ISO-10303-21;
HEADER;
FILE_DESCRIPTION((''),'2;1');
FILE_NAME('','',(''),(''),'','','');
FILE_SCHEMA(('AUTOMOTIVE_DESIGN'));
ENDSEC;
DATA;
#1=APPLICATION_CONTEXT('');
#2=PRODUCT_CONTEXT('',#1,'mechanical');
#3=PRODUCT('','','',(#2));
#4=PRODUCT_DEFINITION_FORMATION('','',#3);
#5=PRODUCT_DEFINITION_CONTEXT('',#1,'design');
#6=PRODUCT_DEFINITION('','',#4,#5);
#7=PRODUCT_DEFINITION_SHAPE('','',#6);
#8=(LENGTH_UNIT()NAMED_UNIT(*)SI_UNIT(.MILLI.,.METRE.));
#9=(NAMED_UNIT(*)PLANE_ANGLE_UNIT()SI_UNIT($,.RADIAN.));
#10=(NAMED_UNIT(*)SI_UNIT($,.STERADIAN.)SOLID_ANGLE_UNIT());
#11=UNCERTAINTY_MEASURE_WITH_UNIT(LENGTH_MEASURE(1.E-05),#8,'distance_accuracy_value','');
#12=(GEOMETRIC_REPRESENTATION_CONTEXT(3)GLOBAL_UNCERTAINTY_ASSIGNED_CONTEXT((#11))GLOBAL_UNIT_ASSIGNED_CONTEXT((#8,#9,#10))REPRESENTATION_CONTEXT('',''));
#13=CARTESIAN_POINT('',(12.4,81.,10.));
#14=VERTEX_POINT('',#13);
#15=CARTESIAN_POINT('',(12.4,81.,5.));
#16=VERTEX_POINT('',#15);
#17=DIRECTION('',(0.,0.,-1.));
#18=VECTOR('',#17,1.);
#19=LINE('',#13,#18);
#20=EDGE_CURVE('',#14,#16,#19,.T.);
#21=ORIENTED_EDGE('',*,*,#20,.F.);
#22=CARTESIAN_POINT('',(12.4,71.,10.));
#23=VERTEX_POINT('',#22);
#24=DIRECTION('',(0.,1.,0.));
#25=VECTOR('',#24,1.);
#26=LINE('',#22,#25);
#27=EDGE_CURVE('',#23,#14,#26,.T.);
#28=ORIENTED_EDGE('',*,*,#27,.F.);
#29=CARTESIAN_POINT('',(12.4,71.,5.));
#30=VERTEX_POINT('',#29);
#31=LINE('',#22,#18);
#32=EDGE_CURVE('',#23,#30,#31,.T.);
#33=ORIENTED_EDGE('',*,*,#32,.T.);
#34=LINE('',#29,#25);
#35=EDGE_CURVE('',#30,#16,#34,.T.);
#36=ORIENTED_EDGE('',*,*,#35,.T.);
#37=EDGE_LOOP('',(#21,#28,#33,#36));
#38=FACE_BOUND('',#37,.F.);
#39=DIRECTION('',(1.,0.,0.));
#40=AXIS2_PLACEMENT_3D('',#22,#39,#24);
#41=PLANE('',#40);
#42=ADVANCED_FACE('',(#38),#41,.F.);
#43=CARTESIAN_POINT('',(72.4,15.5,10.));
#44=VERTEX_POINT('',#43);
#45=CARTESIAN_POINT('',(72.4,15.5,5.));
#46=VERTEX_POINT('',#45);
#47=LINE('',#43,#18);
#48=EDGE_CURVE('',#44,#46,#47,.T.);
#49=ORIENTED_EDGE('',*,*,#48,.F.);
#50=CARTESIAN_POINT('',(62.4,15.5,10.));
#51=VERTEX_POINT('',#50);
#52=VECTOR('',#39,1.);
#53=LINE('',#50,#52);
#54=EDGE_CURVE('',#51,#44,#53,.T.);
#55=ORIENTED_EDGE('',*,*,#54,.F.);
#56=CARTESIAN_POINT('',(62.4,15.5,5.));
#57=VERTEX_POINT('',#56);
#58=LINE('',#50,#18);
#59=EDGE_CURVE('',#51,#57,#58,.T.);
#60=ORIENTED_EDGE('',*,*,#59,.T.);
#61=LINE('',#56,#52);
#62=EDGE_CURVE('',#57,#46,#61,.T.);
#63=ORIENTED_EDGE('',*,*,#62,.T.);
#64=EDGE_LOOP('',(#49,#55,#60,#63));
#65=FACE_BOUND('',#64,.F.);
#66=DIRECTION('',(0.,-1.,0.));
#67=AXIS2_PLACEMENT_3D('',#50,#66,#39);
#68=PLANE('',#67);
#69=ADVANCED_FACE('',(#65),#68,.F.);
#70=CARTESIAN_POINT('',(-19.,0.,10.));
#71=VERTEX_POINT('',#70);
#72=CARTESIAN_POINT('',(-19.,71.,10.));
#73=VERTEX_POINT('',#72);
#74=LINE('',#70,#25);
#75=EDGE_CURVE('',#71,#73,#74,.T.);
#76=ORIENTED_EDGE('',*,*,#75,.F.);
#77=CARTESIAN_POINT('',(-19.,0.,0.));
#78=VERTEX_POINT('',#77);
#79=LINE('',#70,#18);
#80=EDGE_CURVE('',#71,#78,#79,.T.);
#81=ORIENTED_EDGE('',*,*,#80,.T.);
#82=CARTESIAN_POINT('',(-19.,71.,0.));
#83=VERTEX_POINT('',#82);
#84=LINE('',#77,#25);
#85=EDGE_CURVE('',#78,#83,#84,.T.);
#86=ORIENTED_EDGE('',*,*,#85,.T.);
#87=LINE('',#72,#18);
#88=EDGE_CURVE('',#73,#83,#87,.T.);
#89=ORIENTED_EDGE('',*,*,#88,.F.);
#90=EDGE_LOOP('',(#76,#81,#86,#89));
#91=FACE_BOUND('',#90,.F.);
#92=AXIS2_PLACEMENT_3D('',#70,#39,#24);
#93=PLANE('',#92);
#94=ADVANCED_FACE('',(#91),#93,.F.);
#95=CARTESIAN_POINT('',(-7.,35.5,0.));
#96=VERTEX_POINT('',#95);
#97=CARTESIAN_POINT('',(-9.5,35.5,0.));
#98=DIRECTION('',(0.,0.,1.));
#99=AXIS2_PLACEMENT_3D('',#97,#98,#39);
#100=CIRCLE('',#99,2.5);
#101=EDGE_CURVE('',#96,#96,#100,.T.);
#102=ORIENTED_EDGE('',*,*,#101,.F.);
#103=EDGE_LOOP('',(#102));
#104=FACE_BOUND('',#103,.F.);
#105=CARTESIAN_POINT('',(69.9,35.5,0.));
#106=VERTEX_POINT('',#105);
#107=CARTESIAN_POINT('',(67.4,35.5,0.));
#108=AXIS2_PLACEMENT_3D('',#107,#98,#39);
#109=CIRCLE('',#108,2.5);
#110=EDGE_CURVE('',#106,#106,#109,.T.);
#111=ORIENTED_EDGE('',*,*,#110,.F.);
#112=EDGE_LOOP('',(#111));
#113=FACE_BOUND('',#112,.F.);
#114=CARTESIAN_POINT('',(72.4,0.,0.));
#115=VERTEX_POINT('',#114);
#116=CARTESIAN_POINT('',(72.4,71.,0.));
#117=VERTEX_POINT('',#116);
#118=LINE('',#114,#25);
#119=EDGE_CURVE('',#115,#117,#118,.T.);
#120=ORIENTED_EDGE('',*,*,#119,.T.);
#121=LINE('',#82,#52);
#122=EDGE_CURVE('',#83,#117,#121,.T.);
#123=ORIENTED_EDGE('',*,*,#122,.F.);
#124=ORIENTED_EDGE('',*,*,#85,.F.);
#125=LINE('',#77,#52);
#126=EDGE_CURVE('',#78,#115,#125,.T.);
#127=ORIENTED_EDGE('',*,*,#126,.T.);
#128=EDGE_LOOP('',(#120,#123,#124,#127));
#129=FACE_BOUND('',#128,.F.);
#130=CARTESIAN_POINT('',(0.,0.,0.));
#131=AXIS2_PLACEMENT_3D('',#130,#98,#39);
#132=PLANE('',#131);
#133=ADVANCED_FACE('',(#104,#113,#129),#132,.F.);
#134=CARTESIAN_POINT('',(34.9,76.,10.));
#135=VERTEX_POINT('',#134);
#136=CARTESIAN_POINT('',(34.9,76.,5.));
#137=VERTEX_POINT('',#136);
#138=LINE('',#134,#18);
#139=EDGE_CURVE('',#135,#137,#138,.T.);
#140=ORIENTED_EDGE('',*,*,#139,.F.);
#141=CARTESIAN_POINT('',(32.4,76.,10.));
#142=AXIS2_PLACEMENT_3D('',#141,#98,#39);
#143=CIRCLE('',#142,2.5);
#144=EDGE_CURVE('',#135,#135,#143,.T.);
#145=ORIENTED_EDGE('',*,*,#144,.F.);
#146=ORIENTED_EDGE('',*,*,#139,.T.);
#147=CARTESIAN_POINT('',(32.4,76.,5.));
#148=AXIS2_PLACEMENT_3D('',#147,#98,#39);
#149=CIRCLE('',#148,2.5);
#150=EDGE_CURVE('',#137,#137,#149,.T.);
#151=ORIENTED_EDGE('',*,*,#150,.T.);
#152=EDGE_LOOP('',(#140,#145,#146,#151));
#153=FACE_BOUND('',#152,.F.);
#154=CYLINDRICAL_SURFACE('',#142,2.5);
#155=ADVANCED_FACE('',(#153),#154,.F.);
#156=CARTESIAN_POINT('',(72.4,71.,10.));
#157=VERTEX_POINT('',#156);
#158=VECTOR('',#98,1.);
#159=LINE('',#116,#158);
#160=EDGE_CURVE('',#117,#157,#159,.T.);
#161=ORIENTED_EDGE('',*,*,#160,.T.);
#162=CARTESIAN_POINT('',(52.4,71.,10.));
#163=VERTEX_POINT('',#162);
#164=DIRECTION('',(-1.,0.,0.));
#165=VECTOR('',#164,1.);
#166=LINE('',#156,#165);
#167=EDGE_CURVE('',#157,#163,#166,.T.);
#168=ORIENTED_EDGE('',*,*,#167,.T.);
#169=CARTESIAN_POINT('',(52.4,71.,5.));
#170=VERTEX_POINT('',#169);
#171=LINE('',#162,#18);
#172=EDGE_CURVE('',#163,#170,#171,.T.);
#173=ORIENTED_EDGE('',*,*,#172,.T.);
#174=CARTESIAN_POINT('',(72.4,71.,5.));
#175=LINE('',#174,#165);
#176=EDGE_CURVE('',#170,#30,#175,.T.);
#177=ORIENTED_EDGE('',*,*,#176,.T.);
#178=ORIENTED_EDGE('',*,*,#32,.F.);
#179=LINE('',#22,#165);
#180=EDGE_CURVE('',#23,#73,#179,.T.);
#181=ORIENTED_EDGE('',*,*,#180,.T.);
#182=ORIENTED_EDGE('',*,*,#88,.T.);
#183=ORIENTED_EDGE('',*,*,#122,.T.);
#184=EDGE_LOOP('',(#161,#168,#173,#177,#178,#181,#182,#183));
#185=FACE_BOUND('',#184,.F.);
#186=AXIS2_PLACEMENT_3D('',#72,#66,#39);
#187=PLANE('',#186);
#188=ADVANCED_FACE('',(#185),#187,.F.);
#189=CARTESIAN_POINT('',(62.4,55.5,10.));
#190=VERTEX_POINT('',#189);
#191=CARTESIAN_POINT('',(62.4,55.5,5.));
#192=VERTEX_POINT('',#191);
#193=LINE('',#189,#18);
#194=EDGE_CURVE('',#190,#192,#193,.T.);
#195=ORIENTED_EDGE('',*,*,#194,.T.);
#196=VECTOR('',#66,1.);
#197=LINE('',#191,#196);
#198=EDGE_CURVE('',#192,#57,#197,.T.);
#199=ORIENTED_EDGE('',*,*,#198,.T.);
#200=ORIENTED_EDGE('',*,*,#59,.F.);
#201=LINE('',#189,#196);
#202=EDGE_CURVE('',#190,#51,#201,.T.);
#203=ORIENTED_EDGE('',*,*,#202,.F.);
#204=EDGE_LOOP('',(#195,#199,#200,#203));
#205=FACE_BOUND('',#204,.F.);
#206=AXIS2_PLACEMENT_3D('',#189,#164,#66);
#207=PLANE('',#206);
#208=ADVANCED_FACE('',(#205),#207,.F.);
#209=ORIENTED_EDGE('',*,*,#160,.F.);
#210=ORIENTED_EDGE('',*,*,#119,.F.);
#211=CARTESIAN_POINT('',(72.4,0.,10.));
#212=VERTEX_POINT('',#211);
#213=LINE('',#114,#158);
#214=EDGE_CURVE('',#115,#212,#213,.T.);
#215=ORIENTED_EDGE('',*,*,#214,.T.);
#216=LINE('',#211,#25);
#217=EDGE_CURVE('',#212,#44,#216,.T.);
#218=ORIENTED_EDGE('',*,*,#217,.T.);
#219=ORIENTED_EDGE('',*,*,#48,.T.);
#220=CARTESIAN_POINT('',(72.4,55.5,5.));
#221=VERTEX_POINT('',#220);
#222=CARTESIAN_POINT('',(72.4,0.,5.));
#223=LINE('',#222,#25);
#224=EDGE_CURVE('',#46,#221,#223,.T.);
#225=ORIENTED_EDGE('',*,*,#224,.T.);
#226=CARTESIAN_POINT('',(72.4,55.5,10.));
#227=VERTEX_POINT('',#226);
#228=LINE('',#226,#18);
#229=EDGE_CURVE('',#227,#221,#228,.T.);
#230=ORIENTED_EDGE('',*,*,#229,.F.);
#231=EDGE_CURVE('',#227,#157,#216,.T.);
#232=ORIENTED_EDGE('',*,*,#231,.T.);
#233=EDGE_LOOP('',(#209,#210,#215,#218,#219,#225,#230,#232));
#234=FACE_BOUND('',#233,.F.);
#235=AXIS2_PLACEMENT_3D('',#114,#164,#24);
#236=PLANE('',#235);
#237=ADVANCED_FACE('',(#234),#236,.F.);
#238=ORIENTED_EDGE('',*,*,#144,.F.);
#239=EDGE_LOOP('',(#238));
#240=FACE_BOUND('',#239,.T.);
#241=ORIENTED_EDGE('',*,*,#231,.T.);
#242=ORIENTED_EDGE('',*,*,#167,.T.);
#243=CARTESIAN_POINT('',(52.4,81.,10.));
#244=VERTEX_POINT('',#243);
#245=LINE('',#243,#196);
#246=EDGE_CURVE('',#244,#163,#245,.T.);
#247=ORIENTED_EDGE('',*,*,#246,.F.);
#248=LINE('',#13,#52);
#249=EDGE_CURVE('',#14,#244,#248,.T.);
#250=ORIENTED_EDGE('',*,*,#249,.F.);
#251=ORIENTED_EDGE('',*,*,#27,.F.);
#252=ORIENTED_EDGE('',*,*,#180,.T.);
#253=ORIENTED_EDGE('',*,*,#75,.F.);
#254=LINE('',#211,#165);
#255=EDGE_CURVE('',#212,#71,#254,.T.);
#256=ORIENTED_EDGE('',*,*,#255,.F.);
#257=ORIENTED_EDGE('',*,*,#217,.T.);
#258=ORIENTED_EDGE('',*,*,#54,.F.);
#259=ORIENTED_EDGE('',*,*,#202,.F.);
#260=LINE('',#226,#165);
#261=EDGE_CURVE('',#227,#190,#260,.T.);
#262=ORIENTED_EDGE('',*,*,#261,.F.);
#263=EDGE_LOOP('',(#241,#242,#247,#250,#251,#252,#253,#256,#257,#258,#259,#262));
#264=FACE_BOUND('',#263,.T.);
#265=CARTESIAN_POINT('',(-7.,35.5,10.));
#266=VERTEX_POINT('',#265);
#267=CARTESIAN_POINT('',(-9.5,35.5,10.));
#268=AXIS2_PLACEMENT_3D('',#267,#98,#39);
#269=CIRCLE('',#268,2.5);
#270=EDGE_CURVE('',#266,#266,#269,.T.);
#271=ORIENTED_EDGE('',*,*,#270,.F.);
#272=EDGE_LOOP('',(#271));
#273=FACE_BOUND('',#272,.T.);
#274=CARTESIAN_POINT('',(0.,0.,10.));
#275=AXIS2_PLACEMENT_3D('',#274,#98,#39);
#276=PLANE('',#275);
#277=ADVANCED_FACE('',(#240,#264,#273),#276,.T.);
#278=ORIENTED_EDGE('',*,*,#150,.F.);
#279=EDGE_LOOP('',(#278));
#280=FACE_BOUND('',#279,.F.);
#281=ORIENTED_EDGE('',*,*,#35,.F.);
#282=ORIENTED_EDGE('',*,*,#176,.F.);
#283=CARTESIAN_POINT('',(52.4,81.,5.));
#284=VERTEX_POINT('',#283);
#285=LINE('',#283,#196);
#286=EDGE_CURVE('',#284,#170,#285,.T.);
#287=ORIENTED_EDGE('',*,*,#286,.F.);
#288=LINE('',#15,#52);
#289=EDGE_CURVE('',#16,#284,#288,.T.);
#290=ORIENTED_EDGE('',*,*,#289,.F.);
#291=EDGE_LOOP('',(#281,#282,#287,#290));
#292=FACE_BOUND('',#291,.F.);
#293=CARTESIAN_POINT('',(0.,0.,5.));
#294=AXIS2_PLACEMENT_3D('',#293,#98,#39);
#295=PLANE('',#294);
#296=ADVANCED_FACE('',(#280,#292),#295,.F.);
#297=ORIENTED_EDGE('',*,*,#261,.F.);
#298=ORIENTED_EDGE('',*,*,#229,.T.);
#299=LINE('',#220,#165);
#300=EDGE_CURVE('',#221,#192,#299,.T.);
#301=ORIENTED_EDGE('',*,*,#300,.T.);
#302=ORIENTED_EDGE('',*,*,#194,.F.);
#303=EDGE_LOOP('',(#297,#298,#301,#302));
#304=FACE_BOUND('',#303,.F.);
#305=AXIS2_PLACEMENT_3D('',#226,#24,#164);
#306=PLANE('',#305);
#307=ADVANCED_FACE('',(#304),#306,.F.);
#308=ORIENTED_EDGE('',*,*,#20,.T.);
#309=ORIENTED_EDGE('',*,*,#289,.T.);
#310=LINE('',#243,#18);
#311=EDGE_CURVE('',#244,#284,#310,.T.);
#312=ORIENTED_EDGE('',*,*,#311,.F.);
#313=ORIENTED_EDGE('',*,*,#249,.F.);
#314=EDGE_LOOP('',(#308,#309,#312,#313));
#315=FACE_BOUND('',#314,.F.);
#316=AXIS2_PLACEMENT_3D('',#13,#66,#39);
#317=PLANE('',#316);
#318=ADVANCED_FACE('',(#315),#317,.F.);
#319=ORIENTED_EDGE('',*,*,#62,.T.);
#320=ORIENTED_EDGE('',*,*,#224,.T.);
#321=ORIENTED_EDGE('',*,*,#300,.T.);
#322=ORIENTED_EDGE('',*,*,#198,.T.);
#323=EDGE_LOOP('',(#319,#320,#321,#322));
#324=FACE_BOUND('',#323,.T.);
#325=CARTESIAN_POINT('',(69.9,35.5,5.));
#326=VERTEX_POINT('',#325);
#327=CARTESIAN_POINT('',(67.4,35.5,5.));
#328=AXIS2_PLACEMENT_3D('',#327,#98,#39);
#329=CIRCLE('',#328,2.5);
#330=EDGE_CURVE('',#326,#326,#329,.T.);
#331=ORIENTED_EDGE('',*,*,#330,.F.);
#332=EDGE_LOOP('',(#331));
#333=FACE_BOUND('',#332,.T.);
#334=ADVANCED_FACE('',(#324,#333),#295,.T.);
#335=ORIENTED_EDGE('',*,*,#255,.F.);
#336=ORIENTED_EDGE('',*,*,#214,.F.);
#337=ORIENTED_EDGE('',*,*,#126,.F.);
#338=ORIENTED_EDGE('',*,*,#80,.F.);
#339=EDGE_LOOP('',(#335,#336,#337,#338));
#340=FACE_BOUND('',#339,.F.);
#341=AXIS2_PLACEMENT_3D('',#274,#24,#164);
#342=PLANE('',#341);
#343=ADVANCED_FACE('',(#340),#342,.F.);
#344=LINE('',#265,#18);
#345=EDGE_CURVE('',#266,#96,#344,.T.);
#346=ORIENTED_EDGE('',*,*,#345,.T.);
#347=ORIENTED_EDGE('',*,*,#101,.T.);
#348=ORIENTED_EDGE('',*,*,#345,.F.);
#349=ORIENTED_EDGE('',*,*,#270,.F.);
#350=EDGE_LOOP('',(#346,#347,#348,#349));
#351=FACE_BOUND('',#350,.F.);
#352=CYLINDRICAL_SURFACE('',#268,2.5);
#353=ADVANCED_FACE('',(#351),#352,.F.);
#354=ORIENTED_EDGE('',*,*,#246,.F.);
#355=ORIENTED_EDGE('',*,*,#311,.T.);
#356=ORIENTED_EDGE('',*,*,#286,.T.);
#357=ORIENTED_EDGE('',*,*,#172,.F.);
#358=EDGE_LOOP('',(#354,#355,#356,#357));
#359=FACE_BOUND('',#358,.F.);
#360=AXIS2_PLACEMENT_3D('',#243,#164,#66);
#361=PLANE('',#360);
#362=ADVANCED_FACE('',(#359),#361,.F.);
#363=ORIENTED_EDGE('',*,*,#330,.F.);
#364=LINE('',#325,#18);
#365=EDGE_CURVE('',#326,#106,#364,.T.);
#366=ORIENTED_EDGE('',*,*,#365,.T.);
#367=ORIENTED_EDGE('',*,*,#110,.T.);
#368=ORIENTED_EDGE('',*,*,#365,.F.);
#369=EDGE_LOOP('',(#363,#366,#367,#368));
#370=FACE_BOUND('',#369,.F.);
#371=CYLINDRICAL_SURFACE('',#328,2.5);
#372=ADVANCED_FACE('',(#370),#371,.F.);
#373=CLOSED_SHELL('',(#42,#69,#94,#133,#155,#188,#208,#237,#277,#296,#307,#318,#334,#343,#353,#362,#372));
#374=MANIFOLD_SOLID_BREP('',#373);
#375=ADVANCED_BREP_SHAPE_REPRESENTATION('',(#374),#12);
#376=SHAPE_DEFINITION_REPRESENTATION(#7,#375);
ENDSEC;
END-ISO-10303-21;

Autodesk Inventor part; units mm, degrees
ref_plane "YZ Plane" through (0, 0, 0) normal (1, 0, 0) x (0, 1, 0)
ref_plane "XZ Plane" through (0, 0, 0) normal (0, 1, 0) x (-1, 0, 0)
ref_plane "XY Plane" through (0, 0, 0) normal (0, 0, 1) x (1, 0, 0)
sketch "Sketch1" plane through (0, 0, 0) normal (0, 0, 1) x (1, 0, 0)
  line L0 (0, 0) -> (72.4, 0)
  line L1 (72.4, 0) -> (72.4, 71)
  line L2 (72.4, 71) -> (0, 71)
  line L3 (0, 71) -> (0, 0)
  dimension "d0" = 72.4
  dimension "d1" = 71
extrude "Extrusion1" add sketch "Sketch1" along normal blind 10
sketch "Sketch2" plane through (0, 0, 10) normal (0, 0, 1) x (1, 0, 0)
  line L0 (72.4, 71) -> (0, 71) projected
  line L1 (52.4, 71) -> (12.4, 71)
  line L2 (12.4, 71) -> (12.4, 81)
  line L3 (12.4, 81) -> (52.4, 81)
  line L4 (52.4, 81) -> (52.4, 71)
  circle A0 centre (32.4, 76) radius 2.5
  line L5 (72.4, 0) -> (72.4, 71) projected
  point P0 (0, 0)
  point P1 (52.4, 76)
  point P2 (32.4, 81)
  dimension "d4" = 40
  dimension "d5" = 10
  dimension "d6" = 5
  dimension "d7" = 20
extrude "Extrusion2" add sketch "Sketch2" against normal blind 5
sketch "Sketch3" plane through (0, 0, 10) normal (0, 0, 1) x (1, 0, 0)
  line L0 (0, 71) -> (0, 0) projected
  line L1 (0, 0) -> (-19, 0)
  line L2 (-19, 0) -> (-19, 71)
  line L3 (-19, 71) -> (0, 71)
  line L4 (0, 71) -> (0, 0)
  line L5 (12.4, 71) -> (0, 71) projected
  circle A0 centre (-9.5, 35.5) radius 2.5
  point P0 (-19, 35.5)
  point P1 (-9.5, 71)
  dimension "d10" = 19
  dimension "d13" = 5
extrude "Extrusion3" add sketch "Sketch3" against normal blind 10
sketch "Sketch4" plane through (0, 0, 10) normal (0, 0, 1) x (1, 0, 0)
  line L0 (-19, 0) -> (72.4, 0) projected
  line L1 (52.4, 0) -> (12.4, 0)
  line L2 (12.4, 0) -> (12.4, 10)
  line L3 (12.4, 10) -> (52.4, 10)
  line L4 (52.4, 10) -> (52.4, 0)
  line L5 (72.4, 0) -> (72.4, 71) projected
  line L6 (72.4, 55.5) -> (62.4, 55.5)
  line L7 (62.4, 55.5) -> (62.4, 15.5)
  line L8 (62.4, 15.5) -> (72.4, 15.5)
  line L9 (72.4, 15.5) -> (72.4, 55.5)
  point P0 (0, 0)
  point P1 (72.4, 35.5)
  point P2 (72.4, 35.5)
  point P3 (52.4, 81)
  dimension "d16" = 40
  dimension "d17" = 10
  dimension "d18" = 10
  dimension "d19" = 40
extrude "Extrusion4" cut sketch "Sketch4" against normal blind 5 contours L8 L7 L6 L5
sketch "Sketch5" plane through (0, 0, 5) normal (0, 0, 1) x (1, 0, 0)
  line L0 (62.4, 55.5) -> (72.4, 55.5) construction
  line L1 (62.4, 15.5) -> (62.4, 55.5) construction
  line L2 (72.4, 15.5) -> (62.4, 15.5) construction
  line L3 (72.4, 55.5) -> (72.4, 15.5) construction
  line L4 (52.4, 10) -> (52.4, 0) construction
  line L5 (12.4, 10) -> (52.4, 10) construction
  line L6 (12.4, 0) -> (12.4, 10) construction
  line L7 (52.4, 0) -> (12.4, 0) construction
  circle A0 centre (32.4, 5) radius 2.5
  circle A1 centre (67.4, 35.5) radius 2.5
  point P0 (0, 0)
  point P1 (62.4, 35.5)
  point P2 (12.4, 5)
  point P3 (67.4, 55.5)
  point P4 (32.4, 10)
  dimension "d22" = 5
  dimension "d23" = 5
extrude "Extrusion5" cut sketch "Sketch5" against normal through all contours A1
properties part number "SP005" material "ABS Plastic"
